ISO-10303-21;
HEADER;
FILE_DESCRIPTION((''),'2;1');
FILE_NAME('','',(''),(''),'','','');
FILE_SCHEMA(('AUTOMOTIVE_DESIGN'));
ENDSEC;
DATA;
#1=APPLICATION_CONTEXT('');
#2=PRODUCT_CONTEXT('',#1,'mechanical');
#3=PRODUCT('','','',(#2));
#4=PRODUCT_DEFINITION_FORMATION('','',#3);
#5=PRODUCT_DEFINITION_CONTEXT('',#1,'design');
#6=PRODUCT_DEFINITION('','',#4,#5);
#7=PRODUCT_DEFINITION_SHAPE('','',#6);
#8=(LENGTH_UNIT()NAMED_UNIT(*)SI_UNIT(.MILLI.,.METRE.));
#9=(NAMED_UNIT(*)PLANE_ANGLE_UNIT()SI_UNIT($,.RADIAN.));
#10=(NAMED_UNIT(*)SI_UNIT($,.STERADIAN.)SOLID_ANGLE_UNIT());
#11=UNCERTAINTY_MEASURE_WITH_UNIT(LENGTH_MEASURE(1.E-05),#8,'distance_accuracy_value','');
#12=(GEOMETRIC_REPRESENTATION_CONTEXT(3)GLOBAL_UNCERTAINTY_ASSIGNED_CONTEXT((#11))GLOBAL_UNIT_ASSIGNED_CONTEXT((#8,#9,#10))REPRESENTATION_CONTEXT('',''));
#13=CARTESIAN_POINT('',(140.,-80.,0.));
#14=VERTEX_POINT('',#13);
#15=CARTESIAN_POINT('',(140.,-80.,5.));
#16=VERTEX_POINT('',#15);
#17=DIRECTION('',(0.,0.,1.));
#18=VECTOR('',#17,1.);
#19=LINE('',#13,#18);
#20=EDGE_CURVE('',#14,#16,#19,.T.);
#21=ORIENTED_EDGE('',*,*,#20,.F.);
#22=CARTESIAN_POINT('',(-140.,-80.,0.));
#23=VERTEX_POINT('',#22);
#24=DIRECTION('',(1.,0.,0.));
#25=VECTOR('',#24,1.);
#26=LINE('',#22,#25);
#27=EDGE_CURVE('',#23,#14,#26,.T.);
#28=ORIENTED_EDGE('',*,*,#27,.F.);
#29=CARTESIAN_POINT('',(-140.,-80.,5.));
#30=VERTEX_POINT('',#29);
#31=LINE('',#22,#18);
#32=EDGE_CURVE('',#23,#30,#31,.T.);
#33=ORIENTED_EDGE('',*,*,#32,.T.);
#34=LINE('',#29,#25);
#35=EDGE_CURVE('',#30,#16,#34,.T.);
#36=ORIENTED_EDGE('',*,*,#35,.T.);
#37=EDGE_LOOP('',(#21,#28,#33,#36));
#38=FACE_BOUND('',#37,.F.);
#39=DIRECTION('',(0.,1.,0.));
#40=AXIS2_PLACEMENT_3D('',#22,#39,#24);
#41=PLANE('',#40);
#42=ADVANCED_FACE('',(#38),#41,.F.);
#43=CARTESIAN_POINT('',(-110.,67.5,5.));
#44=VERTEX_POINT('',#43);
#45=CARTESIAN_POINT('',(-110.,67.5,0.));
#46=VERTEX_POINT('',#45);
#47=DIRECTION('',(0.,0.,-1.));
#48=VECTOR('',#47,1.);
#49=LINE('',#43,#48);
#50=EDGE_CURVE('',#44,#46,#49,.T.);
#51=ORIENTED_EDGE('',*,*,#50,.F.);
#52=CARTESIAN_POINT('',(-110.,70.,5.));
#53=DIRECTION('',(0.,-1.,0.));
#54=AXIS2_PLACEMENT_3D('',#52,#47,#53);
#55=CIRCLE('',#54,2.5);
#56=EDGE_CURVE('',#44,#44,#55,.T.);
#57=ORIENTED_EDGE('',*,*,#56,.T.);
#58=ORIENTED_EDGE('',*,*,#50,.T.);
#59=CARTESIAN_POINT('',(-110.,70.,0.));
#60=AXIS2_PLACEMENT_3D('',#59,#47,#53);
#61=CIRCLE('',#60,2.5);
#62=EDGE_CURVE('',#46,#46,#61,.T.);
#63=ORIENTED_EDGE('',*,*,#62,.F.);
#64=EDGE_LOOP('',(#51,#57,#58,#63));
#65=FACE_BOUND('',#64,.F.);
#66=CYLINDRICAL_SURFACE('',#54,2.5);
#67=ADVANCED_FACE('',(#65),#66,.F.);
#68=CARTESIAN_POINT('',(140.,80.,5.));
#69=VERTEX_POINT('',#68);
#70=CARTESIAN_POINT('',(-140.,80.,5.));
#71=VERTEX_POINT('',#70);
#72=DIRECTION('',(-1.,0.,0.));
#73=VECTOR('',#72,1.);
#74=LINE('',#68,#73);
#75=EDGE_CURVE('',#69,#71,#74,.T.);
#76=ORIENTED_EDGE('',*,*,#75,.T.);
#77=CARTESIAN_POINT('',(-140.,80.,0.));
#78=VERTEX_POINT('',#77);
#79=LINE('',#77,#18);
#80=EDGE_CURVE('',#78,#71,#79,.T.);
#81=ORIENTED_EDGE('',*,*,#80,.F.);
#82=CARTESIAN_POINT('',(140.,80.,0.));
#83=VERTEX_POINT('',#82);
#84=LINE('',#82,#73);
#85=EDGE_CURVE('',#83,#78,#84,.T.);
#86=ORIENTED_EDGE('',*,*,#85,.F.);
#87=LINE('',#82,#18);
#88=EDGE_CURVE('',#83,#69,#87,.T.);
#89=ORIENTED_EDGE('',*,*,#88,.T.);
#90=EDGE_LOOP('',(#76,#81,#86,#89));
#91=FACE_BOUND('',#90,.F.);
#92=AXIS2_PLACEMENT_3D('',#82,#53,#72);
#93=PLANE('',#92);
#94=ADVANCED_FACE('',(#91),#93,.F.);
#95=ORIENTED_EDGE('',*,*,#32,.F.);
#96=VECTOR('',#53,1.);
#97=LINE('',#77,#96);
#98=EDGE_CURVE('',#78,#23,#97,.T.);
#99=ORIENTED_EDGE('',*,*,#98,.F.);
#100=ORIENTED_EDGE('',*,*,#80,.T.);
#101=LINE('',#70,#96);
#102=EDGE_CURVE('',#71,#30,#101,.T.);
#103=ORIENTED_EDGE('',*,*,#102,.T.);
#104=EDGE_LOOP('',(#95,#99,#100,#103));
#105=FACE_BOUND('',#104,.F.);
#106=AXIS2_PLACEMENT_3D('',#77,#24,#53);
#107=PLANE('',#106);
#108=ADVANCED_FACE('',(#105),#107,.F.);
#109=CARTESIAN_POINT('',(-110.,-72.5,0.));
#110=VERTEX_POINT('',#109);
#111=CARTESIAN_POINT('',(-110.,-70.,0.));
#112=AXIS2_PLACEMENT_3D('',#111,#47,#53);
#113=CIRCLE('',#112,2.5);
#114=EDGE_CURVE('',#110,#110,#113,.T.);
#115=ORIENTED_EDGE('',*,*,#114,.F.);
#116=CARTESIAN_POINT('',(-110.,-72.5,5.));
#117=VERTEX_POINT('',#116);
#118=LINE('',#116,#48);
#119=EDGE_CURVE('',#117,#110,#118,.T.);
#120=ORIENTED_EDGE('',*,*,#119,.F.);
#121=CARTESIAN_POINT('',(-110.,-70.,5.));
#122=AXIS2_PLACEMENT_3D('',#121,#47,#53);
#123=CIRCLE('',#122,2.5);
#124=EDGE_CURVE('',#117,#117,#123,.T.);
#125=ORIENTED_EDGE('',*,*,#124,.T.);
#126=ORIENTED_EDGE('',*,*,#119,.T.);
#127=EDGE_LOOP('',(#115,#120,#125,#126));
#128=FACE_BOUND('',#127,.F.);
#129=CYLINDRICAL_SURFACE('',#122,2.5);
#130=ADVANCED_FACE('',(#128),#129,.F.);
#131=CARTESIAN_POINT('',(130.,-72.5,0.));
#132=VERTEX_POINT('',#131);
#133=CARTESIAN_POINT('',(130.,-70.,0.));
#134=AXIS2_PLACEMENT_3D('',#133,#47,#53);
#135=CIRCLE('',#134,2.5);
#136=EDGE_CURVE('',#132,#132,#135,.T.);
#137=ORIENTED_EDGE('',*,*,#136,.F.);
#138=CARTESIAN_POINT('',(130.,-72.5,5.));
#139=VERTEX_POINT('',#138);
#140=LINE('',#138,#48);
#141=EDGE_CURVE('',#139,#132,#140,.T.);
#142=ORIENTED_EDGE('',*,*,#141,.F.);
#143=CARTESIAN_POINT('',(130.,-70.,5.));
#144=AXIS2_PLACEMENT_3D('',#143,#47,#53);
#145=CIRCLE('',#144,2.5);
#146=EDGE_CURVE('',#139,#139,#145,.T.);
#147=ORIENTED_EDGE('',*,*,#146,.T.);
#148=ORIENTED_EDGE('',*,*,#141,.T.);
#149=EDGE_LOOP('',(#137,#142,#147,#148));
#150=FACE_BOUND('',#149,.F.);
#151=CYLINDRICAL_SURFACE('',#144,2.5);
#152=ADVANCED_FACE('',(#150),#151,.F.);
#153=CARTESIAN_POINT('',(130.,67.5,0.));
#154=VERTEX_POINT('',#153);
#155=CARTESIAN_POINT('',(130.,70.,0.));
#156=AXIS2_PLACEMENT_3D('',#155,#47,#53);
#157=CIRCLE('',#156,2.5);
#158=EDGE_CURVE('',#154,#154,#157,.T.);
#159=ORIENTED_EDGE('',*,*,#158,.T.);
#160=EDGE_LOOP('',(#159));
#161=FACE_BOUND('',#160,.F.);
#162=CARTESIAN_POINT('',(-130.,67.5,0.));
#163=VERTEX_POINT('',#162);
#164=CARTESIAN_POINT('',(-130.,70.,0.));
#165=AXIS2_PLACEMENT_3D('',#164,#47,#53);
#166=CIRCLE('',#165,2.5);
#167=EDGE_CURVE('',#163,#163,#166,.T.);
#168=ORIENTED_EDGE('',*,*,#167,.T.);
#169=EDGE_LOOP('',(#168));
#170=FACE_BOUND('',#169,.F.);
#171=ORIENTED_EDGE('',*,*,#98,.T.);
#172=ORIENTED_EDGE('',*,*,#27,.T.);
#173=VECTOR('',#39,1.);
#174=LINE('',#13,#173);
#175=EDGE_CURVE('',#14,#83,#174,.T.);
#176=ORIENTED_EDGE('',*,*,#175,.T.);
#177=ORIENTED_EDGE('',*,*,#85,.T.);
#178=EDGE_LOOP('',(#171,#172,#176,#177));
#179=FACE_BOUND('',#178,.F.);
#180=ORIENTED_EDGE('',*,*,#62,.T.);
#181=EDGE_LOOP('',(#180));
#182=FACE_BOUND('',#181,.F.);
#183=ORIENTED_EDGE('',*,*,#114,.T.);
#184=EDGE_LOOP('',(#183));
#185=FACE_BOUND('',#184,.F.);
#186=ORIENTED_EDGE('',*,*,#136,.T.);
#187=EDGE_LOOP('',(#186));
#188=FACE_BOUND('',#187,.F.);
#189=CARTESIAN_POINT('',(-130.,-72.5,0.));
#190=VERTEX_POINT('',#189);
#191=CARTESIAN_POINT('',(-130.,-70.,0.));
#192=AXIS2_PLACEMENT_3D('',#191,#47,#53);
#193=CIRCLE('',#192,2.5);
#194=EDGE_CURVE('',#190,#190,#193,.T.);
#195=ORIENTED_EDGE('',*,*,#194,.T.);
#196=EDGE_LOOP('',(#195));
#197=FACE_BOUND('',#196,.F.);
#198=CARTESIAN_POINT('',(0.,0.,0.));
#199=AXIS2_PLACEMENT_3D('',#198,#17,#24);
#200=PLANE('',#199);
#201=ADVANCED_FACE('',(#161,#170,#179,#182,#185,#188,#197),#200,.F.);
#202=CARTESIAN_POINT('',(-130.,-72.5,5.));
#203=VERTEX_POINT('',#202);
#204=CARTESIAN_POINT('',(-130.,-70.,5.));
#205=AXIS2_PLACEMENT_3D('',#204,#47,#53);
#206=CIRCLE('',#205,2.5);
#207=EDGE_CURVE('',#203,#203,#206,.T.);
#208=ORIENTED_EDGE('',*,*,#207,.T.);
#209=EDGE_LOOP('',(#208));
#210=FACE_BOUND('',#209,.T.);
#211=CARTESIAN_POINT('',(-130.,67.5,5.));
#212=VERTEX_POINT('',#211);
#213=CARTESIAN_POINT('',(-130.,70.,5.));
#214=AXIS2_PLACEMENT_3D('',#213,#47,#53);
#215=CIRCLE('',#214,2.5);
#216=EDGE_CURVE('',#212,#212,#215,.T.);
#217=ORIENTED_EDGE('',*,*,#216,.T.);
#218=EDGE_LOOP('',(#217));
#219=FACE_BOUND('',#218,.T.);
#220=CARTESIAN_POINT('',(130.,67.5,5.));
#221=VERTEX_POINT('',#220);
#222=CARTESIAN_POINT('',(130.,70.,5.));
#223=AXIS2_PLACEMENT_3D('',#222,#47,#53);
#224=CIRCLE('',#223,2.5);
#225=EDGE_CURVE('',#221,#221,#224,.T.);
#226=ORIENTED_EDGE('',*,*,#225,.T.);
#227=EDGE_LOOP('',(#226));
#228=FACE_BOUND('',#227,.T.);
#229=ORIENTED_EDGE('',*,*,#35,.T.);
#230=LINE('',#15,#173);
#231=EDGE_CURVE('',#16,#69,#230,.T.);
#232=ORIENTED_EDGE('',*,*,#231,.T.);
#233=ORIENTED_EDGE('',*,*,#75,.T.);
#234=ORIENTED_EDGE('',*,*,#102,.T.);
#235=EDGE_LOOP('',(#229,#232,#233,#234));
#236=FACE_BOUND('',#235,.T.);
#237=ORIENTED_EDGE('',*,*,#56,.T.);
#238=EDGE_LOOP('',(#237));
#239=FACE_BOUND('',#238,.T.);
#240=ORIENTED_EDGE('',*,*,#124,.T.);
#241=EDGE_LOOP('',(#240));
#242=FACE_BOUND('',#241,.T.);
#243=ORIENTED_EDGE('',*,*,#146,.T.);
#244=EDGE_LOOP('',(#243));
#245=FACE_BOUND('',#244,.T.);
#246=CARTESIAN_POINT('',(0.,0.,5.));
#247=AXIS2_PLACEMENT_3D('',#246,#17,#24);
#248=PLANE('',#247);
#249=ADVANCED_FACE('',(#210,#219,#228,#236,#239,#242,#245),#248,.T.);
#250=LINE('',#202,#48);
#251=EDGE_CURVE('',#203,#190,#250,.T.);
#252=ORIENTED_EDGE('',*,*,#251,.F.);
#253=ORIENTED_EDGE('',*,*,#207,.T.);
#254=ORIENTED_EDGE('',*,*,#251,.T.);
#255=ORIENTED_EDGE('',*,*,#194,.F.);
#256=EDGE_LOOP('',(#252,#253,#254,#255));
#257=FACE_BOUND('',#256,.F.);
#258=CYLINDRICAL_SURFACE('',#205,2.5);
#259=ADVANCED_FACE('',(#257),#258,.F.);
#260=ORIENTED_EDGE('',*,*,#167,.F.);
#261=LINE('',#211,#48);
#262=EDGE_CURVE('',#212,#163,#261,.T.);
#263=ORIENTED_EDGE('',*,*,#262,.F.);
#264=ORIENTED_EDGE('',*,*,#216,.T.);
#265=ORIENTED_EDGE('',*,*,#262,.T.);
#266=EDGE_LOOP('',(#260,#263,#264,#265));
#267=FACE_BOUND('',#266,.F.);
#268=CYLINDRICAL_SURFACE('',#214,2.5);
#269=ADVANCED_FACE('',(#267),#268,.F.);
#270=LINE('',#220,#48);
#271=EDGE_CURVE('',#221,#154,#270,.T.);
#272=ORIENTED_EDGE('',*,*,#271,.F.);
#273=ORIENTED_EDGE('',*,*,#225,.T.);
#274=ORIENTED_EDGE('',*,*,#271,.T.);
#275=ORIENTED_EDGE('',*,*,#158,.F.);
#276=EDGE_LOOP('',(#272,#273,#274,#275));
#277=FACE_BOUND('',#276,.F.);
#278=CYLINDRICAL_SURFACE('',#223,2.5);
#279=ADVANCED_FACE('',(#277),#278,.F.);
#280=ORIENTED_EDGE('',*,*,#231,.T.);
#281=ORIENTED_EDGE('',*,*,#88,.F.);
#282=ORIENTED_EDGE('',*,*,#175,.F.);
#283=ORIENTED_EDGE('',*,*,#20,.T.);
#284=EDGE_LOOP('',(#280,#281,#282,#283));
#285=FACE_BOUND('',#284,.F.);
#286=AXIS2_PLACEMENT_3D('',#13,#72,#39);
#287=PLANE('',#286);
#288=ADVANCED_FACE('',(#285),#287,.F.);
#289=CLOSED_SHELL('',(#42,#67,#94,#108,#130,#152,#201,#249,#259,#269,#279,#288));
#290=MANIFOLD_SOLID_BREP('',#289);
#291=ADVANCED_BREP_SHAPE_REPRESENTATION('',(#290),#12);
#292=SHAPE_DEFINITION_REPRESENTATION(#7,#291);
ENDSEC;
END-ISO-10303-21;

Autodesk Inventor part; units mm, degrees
ref_plane "YZ Plane" through (0, 0, 0) normal (1, 0, 0) x (0, 1, 0)
ref_plane "XZ Plane" through (0, 0, 0) normal (0, 1, 0) x (-1, 0, 0)
ref_plane "XY Plane" through (0, 0, 0) normal (0, 0, 1) x (1, 0, 0)
sketch "Sketch1" plane through (0, 0, 0) normal (0, 0, 1) x (1, 0, 0)
  line L0 (-140, -80) -> (140, -80)
  line L1 (140, -80) -> (140, 80)
  line L2 (140, 80) -> (-140, 80)
  line L3 (-140, 80) -> (-140, -80)
  point P0 (0, 0)
extrude "Extrusion1" add sketch "Sketch1" along normal blind 5
sketch "Sketch2" plane through (0, 0, 5) normal (0, 0, 1) x (1, 0, 0)
  line L0 (0, -70.9662) -> (0, 58.0253) construction
  line L1 (62.9304, 0) -> (-65.435, 0) construction
  line L2 (140, -80) -> (140, 80) construction
  line L3 (-140, -80) -> (140, -80) construction
  point P0 (0, 0)
  point P1 (130, -70)
  point P2 (130, 70)
  point P3 (-130, 70)
  point P4 (-130, -70)
  point P5 (-110, -70)
  point P6 (-110, 70)
  dimension "d2" = 10
  dimension "d3" = 10
  dimension "d11" = 20
hole "Hole1" at (130, -70, 5) at (130, 70, 5) at (-130, 70, 5) at (-130, -70, 5) at (-110, -70, 5) at (-110, 70, 5) direction (0, 0, -1) diameter 5 end through all
properties part number "BasePiso" material "MDF Medium Density Fiberboard"
